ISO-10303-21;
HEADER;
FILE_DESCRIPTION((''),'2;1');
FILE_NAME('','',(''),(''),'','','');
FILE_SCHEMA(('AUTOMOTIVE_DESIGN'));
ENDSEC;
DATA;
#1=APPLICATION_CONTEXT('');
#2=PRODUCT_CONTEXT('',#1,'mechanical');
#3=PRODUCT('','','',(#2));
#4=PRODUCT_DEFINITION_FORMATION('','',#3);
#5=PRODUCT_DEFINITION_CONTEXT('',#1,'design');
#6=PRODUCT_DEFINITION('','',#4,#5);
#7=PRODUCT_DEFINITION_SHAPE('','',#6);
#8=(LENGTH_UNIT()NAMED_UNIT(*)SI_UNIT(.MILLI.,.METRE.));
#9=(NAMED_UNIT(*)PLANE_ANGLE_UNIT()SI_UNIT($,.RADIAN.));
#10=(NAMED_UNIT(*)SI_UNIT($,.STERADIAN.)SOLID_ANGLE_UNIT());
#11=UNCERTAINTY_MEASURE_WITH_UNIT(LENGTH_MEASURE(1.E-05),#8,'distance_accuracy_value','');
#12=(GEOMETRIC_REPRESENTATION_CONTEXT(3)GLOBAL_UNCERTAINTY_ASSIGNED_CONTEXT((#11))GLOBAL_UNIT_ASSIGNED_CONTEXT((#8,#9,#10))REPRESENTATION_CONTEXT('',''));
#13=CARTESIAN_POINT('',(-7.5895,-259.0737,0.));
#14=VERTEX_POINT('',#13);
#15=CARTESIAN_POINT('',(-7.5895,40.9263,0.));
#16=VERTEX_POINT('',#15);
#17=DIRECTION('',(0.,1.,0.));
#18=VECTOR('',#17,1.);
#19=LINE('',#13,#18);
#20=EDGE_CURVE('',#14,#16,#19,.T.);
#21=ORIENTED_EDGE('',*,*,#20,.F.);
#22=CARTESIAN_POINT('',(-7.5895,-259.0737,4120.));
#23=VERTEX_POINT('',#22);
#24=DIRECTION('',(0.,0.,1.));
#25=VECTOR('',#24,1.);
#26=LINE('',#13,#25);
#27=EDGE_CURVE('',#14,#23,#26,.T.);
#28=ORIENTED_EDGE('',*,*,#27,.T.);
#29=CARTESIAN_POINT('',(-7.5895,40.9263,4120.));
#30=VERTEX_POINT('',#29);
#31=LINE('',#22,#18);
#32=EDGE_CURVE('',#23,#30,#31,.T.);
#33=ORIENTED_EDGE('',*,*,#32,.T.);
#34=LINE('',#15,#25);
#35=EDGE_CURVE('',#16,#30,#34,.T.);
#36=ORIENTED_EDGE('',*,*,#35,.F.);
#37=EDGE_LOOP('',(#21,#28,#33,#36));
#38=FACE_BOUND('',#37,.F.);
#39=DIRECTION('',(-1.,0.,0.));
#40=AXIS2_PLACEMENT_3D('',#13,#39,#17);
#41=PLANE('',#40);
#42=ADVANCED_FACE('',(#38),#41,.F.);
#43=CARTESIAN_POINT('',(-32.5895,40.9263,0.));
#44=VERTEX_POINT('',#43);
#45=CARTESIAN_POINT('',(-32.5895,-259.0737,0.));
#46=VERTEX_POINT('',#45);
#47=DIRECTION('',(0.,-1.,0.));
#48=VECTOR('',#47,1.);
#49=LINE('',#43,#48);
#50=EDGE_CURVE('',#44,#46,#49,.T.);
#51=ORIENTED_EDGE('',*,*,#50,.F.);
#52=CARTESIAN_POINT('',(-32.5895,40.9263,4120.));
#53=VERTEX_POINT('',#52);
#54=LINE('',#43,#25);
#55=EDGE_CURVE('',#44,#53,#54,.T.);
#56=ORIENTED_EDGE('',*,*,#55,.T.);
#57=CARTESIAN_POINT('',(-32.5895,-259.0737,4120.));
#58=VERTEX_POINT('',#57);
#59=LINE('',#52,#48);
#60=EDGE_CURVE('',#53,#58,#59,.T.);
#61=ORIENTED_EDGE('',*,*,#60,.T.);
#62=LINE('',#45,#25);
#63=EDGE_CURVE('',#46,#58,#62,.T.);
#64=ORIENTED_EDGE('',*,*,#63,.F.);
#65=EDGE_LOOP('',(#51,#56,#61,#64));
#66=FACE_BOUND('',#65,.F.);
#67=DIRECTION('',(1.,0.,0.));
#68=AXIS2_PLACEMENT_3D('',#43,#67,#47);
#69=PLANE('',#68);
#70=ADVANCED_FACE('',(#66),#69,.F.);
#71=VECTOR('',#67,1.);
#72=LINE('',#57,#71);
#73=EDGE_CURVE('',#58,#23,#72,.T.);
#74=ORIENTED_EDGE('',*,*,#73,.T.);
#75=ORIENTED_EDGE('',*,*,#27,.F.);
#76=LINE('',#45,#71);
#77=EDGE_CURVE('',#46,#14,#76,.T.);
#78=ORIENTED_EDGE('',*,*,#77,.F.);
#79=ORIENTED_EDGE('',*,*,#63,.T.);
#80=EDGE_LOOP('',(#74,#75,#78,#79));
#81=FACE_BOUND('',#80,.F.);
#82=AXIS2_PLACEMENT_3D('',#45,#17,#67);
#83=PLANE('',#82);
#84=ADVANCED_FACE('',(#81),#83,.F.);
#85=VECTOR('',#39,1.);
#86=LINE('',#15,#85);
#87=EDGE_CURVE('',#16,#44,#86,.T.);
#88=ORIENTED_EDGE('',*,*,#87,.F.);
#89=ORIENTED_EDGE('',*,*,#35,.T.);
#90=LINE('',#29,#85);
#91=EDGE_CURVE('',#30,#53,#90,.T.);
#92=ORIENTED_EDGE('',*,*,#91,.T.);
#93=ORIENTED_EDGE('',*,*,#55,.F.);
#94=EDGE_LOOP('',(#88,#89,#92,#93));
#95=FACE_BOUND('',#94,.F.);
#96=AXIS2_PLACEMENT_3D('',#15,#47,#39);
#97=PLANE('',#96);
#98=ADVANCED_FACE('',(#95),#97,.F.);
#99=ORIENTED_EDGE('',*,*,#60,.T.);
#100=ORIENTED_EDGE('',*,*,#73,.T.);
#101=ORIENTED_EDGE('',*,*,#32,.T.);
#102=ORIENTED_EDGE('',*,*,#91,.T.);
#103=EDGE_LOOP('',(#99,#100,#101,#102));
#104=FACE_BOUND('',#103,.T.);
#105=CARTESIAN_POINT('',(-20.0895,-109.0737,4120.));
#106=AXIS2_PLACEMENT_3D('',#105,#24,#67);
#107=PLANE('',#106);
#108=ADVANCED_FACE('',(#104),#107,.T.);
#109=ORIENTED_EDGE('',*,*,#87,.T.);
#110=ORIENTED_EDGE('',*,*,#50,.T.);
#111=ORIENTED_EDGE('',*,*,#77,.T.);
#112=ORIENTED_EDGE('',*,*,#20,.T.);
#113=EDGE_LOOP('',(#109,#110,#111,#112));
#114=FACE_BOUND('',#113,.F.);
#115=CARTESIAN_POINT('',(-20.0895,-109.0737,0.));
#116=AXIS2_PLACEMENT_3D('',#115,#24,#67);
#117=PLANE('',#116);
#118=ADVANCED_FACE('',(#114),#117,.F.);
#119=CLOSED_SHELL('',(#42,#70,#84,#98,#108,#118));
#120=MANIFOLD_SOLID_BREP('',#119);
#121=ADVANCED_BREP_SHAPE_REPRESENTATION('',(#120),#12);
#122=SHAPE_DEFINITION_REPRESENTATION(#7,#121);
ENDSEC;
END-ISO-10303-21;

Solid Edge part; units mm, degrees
sketch "Sketch1" plane through (0, 0, 0) normal (0, 0, 1) x (1, 0, 0)
  line L0 (-32.5895, -259.0737) -> (-7.5895, -259.0737)
  line L1 (-7.5895, -259.0737) -> (-7.5895, 40.9263)
  line L2 (-7.5895, 40.9263) -> (-32.5895, 40.9263)
  line L3 (-32.5895, 40.9263) -> (-32.5895, -259.0737)
  dimension "D1" = 25
  dimension "D2" = 300
extrude "Protrusion1" add sketch "Sketch1" along normal blind 4120
